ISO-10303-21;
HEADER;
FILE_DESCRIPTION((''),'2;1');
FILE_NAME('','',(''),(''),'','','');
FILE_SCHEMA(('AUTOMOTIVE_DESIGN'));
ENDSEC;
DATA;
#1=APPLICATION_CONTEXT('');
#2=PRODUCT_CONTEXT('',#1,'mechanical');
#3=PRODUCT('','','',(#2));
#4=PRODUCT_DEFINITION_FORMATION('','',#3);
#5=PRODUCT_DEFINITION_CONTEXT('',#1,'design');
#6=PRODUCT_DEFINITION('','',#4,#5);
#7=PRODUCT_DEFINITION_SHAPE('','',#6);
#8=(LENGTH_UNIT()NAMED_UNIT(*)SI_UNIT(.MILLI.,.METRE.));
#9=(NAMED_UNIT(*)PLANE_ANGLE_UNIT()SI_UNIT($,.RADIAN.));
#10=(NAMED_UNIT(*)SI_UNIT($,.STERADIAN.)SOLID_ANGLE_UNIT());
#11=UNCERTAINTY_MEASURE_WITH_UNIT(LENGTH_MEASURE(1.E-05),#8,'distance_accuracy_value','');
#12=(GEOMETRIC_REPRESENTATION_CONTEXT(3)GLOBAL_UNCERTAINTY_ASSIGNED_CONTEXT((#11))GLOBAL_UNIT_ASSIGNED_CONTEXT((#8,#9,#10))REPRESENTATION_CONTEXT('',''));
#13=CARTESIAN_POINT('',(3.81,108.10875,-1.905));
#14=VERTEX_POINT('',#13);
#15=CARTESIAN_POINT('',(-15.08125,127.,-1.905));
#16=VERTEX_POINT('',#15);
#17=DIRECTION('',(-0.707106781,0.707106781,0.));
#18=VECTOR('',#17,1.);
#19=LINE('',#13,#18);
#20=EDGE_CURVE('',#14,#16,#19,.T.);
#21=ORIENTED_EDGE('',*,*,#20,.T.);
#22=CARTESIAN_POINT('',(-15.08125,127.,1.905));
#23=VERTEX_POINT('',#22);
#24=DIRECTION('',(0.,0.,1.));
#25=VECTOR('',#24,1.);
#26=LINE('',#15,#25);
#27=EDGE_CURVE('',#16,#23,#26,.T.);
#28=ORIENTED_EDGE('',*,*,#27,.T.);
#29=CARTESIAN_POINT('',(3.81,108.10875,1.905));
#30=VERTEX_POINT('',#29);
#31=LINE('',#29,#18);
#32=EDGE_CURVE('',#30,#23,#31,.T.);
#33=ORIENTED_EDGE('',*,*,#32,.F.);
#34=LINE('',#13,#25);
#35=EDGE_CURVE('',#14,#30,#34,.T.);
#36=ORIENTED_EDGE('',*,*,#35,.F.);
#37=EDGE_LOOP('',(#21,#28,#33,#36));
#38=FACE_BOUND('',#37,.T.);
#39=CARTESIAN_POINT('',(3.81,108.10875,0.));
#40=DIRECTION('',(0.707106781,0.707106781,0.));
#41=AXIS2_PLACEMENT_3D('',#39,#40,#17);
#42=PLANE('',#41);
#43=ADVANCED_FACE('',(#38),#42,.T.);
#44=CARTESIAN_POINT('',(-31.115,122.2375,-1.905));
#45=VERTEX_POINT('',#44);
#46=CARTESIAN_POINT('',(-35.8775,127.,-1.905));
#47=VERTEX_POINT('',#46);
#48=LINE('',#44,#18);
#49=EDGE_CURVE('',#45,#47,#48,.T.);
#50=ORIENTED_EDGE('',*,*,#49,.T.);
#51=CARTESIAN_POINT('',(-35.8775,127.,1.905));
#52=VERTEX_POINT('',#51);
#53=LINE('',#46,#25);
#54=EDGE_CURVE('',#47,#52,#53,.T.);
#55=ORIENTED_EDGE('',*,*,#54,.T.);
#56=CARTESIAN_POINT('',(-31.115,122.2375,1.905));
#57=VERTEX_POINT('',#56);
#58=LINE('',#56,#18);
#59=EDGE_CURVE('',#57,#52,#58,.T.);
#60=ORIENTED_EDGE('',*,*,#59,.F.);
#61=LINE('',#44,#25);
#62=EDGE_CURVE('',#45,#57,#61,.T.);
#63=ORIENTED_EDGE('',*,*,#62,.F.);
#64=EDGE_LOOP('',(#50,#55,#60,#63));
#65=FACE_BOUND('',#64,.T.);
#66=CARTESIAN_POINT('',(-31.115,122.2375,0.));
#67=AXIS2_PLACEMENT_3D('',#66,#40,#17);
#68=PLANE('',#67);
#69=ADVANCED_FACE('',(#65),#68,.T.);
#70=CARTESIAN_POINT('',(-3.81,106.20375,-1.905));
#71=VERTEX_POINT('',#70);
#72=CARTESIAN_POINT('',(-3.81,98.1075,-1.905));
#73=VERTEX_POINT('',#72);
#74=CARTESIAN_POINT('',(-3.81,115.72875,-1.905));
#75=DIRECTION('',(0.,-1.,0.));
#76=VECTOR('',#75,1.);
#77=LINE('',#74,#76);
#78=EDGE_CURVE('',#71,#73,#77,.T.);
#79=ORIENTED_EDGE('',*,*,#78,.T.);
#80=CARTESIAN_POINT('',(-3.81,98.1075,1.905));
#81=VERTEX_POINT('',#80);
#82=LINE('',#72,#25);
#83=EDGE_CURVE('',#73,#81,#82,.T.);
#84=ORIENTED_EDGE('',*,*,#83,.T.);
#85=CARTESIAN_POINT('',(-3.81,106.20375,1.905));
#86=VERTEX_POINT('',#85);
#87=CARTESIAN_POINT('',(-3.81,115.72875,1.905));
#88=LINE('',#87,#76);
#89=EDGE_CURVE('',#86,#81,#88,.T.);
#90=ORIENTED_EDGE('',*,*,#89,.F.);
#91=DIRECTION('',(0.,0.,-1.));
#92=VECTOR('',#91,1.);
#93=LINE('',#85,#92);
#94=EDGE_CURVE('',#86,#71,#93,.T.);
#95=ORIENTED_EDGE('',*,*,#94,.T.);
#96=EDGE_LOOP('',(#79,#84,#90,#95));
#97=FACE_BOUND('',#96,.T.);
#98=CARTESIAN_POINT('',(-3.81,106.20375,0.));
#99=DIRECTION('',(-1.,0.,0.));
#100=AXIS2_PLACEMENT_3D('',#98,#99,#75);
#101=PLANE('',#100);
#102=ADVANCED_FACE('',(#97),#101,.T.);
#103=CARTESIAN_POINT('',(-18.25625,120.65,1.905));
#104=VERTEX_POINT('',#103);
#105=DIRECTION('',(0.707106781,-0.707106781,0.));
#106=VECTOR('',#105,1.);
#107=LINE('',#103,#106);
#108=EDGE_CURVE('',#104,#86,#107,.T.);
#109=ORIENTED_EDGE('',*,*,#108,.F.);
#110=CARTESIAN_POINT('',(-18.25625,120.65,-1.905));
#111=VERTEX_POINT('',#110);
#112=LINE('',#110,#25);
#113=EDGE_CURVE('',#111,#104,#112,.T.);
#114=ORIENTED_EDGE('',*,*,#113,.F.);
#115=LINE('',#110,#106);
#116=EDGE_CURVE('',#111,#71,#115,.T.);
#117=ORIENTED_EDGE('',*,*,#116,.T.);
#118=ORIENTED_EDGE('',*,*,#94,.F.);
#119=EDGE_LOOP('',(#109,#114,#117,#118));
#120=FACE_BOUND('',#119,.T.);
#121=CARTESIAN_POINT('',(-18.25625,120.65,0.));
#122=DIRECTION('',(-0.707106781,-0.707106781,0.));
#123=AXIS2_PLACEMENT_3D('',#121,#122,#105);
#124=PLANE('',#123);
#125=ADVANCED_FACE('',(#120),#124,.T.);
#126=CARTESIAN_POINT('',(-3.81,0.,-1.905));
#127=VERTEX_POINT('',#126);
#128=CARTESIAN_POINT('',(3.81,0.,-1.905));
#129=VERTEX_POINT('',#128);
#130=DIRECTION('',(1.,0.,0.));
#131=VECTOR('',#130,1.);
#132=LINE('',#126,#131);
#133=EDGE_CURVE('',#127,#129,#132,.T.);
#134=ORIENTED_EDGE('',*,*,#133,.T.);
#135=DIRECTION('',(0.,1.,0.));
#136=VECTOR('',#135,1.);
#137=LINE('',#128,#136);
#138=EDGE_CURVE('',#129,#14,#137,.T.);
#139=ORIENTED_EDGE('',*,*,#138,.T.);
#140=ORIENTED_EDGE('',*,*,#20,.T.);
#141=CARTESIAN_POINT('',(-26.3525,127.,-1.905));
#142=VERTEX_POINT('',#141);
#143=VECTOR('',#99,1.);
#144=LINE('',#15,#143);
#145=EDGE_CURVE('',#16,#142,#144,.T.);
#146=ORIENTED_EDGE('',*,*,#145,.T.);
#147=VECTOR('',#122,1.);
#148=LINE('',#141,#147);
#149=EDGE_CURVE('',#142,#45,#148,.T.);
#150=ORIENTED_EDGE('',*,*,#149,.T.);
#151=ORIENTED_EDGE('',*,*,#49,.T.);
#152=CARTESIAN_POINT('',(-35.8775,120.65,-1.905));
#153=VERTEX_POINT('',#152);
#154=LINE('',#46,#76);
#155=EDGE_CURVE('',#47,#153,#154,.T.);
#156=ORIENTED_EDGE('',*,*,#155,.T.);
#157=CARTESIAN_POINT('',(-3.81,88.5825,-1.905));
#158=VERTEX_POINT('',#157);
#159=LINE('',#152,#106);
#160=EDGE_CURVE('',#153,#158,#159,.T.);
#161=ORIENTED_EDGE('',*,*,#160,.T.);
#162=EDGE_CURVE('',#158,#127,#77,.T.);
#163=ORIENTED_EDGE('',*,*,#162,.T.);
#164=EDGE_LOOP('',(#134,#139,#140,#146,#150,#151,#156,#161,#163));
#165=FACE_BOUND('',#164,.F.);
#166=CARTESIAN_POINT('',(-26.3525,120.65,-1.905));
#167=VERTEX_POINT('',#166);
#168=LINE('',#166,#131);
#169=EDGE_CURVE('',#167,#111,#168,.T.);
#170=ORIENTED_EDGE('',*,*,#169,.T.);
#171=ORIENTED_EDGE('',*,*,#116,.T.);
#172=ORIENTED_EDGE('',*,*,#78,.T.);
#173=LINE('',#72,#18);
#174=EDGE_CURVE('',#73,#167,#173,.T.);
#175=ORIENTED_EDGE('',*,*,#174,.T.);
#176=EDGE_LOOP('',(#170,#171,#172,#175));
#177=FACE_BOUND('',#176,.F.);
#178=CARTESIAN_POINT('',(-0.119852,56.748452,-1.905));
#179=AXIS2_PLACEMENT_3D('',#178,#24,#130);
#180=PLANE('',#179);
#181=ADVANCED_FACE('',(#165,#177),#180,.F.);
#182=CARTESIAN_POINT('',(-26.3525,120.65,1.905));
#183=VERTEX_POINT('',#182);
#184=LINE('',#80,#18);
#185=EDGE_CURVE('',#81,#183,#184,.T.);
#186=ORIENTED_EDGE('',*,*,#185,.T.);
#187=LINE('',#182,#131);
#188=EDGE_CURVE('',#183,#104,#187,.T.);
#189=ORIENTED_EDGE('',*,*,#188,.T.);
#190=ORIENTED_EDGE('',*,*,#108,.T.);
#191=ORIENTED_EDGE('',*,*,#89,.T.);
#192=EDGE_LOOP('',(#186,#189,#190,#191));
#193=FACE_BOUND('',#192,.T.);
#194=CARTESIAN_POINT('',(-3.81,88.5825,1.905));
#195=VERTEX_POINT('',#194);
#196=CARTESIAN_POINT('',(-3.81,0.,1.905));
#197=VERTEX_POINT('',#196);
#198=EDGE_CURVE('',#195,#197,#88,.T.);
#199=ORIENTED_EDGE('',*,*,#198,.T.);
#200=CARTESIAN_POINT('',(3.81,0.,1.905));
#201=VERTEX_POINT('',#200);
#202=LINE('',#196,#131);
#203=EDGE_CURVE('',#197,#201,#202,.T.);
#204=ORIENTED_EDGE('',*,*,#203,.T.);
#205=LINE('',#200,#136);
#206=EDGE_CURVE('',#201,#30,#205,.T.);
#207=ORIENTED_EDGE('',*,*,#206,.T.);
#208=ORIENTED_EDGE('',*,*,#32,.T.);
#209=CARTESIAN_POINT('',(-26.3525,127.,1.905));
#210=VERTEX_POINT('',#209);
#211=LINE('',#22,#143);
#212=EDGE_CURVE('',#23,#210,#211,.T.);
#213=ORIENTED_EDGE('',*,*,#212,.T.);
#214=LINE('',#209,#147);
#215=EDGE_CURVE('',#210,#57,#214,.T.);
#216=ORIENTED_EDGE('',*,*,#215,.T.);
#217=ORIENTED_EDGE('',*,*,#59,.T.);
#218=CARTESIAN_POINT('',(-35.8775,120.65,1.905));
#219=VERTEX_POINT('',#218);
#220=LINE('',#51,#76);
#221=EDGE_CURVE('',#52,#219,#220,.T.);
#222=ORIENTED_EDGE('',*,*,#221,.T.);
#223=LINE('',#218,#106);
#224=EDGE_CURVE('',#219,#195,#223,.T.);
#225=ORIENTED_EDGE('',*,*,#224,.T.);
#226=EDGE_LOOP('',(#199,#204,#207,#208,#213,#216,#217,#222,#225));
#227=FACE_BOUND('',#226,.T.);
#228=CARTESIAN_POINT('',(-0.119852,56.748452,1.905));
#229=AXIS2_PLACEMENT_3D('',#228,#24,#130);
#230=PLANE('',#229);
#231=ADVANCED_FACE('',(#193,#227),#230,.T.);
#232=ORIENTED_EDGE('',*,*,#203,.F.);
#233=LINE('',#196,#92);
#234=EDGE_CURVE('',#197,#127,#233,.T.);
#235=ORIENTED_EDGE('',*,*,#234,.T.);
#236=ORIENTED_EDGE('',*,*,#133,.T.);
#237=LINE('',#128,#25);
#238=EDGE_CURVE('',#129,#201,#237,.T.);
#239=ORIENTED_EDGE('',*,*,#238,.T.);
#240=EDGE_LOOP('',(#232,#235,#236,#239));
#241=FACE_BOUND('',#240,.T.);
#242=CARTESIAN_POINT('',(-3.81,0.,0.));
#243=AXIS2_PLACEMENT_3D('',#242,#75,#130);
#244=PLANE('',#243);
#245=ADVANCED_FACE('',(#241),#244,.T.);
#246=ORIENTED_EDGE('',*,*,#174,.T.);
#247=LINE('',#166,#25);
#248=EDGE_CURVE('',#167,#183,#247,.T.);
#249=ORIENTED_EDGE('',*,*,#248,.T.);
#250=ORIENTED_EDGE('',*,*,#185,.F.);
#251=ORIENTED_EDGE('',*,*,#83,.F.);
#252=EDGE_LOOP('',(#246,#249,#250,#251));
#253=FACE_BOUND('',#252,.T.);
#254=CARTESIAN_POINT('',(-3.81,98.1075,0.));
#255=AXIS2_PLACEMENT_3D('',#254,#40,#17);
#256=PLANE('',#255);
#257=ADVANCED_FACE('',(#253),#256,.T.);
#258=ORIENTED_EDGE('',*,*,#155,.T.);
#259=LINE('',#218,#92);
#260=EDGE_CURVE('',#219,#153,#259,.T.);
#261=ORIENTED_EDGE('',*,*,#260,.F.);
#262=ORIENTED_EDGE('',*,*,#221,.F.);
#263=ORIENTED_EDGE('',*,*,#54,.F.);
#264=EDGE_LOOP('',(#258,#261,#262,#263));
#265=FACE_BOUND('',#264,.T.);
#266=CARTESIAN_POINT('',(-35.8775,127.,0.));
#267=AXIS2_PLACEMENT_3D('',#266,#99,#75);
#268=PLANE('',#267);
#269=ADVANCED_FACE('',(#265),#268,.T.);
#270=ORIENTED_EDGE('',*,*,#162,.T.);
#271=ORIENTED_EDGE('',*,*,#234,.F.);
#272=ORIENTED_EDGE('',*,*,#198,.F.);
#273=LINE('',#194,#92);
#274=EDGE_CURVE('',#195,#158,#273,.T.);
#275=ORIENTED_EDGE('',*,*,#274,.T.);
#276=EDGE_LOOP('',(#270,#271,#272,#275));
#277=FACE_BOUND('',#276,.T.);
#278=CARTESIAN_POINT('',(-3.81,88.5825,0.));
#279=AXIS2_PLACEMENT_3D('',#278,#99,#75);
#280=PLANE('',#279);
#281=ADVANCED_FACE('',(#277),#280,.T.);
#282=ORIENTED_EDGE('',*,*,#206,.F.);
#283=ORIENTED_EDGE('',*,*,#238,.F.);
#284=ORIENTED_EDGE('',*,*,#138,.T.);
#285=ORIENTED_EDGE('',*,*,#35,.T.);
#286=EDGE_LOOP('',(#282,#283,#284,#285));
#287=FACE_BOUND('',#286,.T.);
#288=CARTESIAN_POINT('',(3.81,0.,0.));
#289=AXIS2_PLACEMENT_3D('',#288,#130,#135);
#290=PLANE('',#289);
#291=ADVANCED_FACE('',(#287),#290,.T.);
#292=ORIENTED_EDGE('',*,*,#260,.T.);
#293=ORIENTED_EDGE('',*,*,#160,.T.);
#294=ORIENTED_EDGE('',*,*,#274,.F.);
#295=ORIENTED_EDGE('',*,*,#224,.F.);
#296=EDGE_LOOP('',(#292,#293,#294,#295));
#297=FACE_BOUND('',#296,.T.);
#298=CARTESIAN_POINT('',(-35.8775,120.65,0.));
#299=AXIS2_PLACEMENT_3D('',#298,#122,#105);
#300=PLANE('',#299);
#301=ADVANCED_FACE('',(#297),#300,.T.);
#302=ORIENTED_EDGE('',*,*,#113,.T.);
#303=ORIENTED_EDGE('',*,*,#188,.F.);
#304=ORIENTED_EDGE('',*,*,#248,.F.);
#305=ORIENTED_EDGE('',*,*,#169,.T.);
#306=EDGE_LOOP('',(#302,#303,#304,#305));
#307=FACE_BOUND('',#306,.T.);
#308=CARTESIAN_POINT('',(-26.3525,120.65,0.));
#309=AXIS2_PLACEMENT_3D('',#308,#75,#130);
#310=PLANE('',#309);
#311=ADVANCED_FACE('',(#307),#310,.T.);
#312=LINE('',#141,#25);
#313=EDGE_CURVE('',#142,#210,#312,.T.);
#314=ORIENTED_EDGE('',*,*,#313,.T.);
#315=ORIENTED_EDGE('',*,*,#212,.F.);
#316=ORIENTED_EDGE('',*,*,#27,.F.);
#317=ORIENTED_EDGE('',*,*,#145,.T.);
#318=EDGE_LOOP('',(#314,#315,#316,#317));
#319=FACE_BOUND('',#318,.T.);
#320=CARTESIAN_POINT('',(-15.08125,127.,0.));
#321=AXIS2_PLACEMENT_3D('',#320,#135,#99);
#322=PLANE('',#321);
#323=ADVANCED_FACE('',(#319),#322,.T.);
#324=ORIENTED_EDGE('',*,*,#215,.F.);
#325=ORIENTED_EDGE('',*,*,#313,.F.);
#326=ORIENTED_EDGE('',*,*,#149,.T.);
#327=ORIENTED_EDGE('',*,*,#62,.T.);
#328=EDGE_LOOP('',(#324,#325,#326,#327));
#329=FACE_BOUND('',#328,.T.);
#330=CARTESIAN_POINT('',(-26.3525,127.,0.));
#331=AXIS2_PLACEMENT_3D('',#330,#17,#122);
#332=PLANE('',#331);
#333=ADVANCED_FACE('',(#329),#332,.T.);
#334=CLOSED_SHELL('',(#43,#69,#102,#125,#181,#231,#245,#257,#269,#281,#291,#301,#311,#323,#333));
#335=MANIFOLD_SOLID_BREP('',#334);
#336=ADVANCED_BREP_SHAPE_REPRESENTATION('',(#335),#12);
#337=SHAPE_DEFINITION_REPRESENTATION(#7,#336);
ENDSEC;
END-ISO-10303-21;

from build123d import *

# Parameters (mm, degrees)
F1_DEPTH = 1.905


with BuildPart() as f1:
    # F0 (on Top) → F1 (new body, symmetric)
    with BuildSketch(Plane.XY):
        Polygon((-3.81, 88.5825), (-3.81, 0), (3.81, 0), (3.81, 108.10875), (-3.81, 115.72875), (-3.81, 106.20375), (-3.81, 98.1075), align=None)
        Polygon((-31.115, 115.8875), (-3.81, 88.5825), (-3.81, 98.1075), (-26.3525, 120.65), (-18.25625, 120.65), (-8.73125, 120.65), (-15.08125, 127), (-26.3525, 127), (-31.115, 122.2375), (-35.8775, 127), (-35.8775, 120.65), align=None)
        Polygon((-3.81, 106.20375), (-3.81, 115.72875), (-8.73125, 120.65), (-18.25625, 120.65), align=None)
    extrude(amount=F1_DEPTH, both=True)


solid = f1.part
